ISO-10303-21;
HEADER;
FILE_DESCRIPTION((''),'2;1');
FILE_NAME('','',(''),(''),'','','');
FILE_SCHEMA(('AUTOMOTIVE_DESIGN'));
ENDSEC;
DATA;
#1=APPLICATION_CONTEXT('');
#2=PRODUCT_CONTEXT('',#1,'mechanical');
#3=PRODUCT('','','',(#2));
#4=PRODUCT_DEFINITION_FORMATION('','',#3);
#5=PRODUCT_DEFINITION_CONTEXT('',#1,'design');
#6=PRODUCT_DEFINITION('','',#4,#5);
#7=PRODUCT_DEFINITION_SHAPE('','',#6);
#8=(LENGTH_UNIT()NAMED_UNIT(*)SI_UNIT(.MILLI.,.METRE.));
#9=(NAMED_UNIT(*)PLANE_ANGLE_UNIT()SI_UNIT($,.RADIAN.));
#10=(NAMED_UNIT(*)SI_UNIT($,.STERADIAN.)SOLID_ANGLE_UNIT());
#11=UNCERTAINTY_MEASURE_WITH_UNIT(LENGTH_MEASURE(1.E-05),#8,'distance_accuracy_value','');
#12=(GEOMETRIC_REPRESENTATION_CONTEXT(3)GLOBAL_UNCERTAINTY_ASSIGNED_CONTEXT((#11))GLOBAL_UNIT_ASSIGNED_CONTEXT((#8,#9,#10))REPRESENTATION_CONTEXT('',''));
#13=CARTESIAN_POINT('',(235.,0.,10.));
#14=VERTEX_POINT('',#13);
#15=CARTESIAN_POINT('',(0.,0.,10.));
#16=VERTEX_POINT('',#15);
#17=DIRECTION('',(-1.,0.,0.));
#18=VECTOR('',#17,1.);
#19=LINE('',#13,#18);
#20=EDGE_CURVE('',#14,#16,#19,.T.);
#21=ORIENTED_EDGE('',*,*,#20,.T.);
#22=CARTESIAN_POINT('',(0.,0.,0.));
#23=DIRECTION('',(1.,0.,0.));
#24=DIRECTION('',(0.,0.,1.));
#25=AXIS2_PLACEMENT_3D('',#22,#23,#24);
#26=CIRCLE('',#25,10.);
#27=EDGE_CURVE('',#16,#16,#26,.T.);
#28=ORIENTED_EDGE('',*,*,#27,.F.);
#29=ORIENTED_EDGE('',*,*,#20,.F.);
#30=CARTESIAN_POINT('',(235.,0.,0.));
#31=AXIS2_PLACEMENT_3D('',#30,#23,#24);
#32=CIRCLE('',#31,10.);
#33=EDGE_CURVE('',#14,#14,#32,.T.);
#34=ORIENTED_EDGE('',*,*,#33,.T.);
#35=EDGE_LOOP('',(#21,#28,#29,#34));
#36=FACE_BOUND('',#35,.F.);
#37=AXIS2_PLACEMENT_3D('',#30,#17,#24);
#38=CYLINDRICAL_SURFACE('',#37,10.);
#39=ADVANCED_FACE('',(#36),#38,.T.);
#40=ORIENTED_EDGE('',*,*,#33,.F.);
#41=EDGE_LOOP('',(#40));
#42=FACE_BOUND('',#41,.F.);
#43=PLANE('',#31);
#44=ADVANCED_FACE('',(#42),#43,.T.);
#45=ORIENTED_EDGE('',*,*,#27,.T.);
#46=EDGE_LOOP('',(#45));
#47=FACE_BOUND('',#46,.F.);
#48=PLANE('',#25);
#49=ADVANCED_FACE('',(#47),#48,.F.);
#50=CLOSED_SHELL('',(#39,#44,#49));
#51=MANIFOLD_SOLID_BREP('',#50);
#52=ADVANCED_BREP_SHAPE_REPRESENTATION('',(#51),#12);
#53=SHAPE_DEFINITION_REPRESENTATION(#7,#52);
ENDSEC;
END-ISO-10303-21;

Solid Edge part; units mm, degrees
sketch "Sketch1" plane through (0, 0, 0) normal (0, -1, 0) x (1, 0, 0)
  line L0 (235, 10) -> (0, 10)
  line L1 (0, 10) -> (0, 0)
  line L2 (0, 0) -> (235, 0)
  line L3 (235, 0) -> (235, 10)
revolve "RevolvedProtrusion1" add sketch "Sketch1" angle 360 about axis through (0, 0, 0) along (1, 0, 0)
cosmetic_thread "Thread1" size "Tr 20 x 4"
cosmetic_thread "Gewinde_3" size "M20" thread depth 25
